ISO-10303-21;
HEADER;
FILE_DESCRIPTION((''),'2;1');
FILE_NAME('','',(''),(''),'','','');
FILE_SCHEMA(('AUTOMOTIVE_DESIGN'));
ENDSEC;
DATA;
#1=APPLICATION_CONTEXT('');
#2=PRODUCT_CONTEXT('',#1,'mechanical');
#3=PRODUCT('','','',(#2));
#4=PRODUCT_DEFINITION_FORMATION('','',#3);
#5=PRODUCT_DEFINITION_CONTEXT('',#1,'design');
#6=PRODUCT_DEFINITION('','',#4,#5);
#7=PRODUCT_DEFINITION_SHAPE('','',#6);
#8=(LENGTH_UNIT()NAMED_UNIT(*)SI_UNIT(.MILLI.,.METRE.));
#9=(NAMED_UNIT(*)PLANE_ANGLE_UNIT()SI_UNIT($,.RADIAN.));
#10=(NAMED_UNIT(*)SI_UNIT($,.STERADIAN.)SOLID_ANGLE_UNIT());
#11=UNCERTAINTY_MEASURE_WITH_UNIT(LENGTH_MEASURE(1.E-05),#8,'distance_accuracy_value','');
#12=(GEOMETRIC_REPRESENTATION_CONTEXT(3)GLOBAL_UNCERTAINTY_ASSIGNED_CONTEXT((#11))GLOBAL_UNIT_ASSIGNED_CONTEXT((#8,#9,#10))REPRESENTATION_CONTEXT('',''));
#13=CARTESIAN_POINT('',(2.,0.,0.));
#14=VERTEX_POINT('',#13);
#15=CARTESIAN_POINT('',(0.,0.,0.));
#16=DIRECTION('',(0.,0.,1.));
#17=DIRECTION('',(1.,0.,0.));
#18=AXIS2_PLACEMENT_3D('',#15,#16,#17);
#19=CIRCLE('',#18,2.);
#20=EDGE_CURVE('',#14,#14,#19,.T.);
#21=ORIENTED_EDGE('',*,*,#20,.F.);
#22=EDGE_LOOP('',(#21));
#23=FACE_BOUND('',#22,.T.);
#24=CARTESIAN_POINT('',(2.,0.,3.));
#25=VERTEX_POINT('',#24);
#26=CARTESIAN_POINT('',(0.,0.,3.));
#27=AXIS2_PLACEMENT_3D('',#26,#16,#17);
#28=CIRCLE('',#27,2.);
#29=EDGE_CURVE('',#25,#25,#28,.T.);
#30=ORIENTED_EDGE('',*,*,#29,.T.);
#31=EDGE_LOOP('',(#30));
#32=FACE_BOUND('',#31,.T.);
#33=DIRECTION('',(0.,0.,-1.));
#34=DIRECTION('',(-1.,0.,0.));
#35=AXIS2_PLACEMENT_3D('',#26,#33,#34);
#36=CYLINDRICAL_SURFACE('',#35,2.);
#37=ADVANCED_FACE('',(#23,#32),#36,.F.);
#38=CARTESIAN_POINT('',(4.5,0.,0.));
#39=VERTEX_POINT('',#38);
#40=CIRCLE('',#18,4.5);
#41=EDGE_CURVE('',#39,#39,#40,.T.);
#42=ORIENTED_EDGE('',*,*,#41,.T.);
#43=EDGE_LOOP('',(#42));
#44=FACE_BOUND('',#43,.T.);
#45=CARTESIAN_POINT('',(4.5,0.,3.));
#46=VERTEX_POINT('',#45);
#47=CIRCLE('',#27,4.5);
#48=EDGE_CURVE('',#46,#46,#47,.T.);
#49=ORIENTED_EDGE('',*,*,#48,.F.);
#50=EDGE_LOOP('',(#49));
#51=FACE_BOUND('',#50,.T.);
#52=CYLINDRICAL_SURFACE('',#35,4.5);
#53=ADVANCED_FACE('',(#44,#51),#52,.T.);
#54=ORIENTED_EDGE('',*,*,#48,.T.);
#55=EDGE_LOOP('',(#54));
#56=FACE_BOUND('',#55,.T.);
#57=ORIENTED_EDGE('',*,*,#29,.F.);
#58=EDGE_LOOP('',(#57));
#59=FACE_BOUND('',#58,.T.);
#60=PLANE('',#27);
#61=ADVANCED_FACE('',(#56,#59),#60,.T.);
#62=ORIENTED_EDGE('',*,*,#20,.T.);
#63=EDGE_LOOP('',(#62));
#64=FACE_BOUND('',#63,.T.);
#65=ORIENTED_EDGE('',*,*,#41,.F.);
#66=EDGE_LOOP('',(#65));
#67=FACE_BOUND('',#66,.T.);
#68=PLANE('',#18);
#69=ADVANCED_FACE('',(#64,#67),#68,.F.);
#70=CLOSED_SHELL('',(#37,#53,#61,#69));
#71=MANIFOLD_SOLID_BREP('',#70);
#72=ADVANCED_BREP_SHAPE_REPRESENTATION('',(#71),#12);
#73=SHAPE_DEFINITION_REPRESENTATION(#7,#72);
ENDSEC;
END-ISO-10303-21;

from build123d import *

# Parameters (mm, degrees)
SKETCH_1_R      = 4.5
SKETCH_1_R_2    = 2
EXTRUDE_1_DEPTH = 3


with BuildPart() as part:
    # 草圖1 → 填料-伸長1 (new body)
    with BuildSketch(Plane.XY):
        Circle(SKETCH_1_R)
        Circle(SKETCH_1_R_2, mode=Mode.SUBTRACT)
    extrude(amount=EXTRUDE_1_DEPTH)


solid = part.part
